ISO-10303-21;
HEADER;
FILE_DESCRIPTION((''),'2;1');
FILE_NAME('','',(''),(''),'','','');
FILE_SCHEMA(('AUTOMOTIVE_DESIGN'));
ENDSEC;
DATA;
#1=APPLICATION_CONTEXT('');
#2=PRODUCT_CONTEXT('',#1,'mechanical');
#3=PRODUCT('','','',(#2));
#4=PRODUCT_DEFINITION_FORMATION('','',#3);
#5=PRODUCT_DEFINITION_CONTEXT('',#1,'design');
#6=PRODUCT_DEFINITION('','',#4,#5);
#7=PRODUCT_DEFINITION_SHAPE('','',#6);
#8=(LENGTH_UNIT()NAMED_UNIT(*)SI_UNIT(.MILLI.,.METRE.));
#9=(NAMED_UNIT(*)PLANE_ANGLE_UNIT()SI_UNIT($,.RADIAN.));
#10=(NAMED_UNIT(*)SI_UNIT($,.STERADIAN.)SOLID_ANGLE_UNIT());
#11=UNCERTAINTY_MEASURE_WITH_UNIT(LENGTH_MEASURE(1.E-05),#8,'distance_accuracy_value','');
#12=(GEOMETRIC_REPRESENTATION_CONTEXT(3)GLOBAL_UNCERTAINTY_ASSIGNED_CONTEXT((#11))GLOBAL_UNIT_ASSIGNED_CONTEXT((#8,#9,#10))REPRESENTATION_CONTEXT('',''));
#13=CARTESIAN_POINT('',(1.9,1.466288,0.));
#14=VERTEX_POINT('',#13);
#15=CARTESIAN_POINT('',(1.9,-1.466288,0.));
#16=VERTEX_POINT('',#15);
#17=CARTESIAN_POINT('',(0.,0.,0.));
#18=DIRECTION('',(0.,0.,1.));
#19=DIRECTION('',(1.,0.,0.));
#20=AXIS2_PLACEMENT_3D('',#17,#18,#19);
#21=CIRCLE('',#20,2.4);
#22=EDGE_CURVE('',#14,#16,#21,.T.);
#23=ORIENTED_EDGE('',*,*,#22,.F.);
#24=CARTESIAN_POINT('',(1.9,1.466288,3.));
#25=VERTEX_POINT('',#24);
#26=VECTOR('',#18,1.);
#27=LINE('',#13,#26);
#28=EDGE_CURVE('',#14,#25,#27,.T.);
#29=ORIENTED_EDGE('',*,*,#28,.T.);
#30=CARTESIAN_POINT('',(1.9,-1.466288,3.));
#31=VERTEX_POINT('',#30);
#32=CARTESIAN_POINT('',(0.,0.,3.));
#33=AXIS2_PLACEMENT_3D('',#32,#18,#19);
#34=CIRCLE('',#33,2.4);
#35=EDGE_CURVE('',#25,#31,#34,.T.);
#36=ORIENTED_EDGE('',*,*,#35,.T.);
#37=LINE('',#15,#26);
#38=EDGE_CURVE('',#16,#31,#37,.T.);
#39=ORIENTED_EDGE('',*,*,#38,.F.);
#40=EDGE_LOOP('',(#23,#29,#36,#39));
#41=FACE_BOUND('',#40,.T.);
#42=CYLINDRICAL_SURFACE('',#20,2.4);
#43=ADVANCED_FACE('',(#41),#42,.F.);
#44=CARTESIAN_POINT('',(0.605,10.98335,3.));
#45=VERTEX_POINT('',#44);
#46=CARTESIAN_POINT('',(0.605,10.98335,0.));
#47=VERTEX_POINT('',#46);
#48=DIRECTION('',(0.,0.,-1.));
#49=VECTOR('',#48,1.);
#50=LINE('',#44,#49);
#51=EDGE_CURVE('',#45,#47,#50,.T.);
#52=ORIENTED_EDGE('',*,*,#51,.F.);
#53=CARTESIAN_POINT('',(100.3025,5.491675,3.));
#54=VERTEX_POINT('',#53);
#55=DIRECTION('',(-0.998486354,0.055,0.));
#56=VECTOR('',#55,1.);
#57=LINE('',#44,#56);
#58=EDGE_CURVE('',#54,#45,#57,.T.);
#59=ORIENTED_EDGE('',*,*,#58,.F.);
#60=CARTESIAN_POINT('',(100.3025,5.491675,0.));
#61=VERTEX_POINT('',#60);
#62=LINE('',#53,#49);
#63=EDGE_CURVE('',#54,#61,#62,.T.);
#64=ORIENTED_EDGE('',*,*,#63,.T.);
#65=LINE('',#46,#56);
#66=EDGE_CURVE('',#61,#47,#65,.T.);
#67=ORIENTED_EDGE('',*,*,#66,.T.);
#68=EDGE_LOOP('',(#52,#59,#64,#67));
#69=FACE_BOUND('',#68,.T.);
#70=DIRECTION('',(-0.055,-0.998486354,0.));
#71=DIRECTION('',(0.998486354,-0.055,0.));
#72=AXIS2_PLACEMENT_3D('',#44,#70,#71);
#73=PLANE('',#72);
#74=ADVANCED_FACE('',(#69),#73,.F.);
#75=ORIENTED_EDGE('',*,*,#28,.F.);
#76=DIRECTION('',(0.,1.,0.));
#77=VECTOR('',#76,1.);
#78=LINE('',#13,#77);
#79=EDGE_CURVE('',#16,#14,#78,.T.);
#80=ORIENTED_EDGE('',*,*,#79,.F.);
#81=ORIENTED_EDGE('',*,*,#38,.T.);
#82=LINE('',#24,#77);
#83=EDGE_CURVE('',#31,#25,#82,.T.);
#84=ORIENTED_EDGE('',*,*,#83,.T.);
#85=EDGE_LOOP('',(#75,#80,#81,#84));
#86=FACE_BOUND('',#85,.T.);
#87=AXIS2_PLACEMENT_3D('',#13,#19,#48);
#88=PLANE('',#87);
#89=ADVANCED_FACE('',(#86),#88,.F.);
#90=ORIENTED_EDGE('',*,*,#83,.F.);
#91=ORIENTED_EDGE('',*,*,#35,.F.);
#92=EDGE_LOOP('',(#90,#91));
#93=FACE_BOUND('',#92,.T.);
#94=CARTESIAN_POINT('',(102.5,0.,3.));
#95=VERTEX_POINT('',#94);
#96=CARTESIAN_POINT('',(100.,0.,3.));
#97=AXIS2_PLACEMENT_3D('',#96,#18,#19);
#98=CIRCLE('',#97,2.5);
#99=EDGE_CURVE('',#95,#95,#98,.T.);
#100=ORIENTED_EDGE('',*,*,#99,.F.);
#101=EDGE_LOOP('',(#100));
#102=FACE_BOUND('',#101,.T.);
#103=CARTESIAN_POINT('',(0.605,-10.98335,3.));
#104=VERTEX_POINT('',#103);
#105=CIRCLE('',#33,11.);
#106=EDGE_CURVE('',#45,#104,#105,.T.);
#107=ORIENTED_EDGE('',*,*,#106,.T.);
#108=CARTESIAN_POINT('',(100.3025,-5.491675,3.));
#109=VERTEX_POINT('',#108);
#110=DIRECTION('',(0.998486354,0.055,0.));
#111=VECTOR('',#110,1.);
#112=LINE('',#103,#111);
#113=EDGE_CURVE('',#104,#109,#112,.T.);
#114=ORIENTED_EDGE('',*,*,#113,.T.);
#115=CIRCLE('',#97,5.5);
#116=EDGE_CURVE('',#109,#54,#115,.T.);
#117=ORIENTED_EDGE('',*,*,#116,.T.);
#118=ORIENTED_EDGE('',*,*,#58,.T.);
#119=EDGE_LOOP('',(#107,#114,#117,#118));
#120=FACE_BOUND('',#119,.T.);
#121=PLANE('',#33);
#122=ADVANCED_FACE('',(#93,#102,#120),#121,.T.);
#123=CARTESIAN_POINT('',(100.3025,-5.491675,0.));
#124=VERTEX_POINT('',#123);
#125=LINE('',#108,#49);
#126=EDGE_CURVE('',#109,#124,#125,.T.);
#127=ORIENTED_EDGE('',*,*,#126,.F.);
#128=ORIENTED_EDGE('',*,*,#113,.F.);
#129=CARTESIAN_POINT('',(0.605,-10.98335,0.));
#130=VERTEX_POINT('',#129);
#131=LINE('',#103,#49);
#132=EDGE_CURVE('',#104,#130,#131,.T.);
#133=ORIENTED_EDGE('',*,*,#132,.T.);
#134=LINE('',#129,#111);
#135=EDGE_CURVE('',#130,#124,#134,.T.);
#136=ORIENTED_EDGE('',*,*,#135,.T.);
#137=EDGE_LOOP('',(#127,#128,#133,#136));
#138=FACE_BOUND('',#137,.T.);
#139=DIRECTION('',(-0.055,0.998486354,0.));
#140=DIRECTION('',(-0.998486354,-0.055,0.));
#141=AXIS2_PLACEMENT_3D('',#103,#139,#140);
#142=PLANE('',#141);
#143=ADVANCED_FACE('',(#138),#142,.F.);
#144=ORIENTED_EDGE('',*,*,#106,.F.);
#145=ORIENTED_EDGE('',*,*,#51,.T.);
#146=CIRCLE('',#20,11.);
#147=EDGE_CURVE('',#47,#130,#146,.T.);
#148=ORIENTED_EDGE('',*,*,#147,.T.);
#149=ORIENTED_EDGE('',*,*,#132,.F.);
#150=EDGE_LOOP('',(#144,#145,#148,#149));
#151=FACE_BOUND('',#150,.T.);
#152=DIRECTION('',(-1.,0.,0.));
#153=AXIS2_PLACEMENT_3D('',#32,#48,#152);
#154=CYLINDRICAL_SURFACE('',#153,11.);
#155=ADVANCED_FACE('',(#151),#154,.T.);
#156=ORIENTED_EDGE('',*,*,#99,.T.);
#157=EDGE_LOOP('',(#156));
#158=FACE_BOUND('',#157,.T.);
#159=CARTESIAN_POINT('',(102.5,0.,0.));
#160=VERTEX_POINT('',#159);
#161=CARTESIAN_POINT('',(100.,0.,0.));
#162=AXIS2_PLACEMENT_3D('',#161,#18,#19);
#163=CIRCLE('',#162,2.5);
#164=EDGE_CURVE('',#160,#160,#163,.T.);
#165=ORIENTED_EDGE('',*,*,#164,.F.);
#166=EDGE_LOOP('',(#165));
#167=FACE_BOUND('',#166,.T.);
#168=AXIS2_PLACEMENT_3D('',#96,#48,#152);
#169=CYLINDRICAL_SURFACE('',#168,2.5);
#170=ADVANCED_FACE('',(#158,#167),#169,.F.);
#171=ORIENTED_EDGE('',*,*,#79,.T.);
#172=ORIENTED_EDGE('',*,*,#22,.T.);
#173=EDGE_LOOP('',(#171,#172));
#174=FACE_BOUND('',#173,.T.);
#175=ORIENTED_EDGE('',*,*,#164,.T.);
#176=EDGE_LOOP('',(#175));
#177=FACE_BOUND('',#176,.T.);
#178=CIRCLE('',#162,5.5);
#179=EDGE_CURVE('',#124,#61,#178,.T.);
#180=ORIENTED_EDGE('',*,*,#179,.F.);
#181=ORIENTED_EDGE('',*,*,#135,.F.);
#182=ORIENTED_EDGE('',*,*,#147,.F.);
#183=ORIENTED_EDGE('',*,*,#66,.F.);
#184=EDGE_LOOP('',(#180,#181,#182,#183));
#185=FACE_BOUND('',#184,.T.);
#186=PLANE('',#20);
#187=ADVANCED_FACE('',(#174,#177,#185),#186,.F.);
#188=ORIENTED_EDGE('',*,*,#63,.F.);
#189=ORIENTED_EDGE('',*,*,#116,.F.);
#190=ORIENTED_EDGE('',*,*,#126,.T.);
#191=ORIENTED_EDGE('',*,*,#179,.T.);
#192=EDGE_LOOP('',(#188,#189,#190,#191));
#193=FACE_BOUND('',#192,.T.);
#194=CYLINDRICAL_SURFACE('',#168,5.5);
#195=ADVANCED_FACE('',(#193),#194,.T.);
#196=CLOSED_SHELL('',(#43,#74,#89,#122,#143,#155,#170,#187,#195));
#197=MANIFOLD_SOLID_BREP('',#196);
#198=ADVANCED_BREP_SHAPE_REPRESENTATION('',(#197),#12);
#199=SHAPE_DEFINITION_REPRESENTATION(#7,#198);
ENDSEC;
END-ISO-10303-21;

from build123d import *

# Parameters (mm, degrees)
SKETCH1_R           = 2.5
BOSS_EXTRUDE1_DEPTH = 3
CUT_EXTRUDE1_DEPTH  = 4


with BuildPart() as part:
    # Sketch1 → Boss-Extrude1 (new body)
    with BuildSketch(Plane.XY):
        with BuildLine():
            Line((0.605, 10.983349899), (100.3025, 5.491674949))
            ThreePointArc((100.3025, 5.491674949), (105.5, 0), (100.3025, -5.491674949))
            Line((100.3025, -5.491674949), (0.605, -10.983349899))
            ThreePointArc((0.605, -10.983349899), (-11, 0), (0.605, 10.983349899))
        make_face()
        with Locations((100, 0)):
            Circle(SKETCH1_R, mode=Mode.SUBTRACT)
    extrude(amount=BOSS_EXTRUDE1_DEPTH)

    # Sketch2 → Cut-Extrude1 (cut, through all)
    with BuildSketch(Plane.XY.offset(3)):
        with BuildLine():
            Line((1.9, 1.46628783), (1.9, -1.46628783))
            ThreePointArc((1.9, -1.46628783), (-2.4, 0), (1.9, 1.46628783))
        make_face()
    extrude(amount=-CUT_EXTRUDE1_DEPTH, mode=Mode.SUBTRACT)


solid = part.part
